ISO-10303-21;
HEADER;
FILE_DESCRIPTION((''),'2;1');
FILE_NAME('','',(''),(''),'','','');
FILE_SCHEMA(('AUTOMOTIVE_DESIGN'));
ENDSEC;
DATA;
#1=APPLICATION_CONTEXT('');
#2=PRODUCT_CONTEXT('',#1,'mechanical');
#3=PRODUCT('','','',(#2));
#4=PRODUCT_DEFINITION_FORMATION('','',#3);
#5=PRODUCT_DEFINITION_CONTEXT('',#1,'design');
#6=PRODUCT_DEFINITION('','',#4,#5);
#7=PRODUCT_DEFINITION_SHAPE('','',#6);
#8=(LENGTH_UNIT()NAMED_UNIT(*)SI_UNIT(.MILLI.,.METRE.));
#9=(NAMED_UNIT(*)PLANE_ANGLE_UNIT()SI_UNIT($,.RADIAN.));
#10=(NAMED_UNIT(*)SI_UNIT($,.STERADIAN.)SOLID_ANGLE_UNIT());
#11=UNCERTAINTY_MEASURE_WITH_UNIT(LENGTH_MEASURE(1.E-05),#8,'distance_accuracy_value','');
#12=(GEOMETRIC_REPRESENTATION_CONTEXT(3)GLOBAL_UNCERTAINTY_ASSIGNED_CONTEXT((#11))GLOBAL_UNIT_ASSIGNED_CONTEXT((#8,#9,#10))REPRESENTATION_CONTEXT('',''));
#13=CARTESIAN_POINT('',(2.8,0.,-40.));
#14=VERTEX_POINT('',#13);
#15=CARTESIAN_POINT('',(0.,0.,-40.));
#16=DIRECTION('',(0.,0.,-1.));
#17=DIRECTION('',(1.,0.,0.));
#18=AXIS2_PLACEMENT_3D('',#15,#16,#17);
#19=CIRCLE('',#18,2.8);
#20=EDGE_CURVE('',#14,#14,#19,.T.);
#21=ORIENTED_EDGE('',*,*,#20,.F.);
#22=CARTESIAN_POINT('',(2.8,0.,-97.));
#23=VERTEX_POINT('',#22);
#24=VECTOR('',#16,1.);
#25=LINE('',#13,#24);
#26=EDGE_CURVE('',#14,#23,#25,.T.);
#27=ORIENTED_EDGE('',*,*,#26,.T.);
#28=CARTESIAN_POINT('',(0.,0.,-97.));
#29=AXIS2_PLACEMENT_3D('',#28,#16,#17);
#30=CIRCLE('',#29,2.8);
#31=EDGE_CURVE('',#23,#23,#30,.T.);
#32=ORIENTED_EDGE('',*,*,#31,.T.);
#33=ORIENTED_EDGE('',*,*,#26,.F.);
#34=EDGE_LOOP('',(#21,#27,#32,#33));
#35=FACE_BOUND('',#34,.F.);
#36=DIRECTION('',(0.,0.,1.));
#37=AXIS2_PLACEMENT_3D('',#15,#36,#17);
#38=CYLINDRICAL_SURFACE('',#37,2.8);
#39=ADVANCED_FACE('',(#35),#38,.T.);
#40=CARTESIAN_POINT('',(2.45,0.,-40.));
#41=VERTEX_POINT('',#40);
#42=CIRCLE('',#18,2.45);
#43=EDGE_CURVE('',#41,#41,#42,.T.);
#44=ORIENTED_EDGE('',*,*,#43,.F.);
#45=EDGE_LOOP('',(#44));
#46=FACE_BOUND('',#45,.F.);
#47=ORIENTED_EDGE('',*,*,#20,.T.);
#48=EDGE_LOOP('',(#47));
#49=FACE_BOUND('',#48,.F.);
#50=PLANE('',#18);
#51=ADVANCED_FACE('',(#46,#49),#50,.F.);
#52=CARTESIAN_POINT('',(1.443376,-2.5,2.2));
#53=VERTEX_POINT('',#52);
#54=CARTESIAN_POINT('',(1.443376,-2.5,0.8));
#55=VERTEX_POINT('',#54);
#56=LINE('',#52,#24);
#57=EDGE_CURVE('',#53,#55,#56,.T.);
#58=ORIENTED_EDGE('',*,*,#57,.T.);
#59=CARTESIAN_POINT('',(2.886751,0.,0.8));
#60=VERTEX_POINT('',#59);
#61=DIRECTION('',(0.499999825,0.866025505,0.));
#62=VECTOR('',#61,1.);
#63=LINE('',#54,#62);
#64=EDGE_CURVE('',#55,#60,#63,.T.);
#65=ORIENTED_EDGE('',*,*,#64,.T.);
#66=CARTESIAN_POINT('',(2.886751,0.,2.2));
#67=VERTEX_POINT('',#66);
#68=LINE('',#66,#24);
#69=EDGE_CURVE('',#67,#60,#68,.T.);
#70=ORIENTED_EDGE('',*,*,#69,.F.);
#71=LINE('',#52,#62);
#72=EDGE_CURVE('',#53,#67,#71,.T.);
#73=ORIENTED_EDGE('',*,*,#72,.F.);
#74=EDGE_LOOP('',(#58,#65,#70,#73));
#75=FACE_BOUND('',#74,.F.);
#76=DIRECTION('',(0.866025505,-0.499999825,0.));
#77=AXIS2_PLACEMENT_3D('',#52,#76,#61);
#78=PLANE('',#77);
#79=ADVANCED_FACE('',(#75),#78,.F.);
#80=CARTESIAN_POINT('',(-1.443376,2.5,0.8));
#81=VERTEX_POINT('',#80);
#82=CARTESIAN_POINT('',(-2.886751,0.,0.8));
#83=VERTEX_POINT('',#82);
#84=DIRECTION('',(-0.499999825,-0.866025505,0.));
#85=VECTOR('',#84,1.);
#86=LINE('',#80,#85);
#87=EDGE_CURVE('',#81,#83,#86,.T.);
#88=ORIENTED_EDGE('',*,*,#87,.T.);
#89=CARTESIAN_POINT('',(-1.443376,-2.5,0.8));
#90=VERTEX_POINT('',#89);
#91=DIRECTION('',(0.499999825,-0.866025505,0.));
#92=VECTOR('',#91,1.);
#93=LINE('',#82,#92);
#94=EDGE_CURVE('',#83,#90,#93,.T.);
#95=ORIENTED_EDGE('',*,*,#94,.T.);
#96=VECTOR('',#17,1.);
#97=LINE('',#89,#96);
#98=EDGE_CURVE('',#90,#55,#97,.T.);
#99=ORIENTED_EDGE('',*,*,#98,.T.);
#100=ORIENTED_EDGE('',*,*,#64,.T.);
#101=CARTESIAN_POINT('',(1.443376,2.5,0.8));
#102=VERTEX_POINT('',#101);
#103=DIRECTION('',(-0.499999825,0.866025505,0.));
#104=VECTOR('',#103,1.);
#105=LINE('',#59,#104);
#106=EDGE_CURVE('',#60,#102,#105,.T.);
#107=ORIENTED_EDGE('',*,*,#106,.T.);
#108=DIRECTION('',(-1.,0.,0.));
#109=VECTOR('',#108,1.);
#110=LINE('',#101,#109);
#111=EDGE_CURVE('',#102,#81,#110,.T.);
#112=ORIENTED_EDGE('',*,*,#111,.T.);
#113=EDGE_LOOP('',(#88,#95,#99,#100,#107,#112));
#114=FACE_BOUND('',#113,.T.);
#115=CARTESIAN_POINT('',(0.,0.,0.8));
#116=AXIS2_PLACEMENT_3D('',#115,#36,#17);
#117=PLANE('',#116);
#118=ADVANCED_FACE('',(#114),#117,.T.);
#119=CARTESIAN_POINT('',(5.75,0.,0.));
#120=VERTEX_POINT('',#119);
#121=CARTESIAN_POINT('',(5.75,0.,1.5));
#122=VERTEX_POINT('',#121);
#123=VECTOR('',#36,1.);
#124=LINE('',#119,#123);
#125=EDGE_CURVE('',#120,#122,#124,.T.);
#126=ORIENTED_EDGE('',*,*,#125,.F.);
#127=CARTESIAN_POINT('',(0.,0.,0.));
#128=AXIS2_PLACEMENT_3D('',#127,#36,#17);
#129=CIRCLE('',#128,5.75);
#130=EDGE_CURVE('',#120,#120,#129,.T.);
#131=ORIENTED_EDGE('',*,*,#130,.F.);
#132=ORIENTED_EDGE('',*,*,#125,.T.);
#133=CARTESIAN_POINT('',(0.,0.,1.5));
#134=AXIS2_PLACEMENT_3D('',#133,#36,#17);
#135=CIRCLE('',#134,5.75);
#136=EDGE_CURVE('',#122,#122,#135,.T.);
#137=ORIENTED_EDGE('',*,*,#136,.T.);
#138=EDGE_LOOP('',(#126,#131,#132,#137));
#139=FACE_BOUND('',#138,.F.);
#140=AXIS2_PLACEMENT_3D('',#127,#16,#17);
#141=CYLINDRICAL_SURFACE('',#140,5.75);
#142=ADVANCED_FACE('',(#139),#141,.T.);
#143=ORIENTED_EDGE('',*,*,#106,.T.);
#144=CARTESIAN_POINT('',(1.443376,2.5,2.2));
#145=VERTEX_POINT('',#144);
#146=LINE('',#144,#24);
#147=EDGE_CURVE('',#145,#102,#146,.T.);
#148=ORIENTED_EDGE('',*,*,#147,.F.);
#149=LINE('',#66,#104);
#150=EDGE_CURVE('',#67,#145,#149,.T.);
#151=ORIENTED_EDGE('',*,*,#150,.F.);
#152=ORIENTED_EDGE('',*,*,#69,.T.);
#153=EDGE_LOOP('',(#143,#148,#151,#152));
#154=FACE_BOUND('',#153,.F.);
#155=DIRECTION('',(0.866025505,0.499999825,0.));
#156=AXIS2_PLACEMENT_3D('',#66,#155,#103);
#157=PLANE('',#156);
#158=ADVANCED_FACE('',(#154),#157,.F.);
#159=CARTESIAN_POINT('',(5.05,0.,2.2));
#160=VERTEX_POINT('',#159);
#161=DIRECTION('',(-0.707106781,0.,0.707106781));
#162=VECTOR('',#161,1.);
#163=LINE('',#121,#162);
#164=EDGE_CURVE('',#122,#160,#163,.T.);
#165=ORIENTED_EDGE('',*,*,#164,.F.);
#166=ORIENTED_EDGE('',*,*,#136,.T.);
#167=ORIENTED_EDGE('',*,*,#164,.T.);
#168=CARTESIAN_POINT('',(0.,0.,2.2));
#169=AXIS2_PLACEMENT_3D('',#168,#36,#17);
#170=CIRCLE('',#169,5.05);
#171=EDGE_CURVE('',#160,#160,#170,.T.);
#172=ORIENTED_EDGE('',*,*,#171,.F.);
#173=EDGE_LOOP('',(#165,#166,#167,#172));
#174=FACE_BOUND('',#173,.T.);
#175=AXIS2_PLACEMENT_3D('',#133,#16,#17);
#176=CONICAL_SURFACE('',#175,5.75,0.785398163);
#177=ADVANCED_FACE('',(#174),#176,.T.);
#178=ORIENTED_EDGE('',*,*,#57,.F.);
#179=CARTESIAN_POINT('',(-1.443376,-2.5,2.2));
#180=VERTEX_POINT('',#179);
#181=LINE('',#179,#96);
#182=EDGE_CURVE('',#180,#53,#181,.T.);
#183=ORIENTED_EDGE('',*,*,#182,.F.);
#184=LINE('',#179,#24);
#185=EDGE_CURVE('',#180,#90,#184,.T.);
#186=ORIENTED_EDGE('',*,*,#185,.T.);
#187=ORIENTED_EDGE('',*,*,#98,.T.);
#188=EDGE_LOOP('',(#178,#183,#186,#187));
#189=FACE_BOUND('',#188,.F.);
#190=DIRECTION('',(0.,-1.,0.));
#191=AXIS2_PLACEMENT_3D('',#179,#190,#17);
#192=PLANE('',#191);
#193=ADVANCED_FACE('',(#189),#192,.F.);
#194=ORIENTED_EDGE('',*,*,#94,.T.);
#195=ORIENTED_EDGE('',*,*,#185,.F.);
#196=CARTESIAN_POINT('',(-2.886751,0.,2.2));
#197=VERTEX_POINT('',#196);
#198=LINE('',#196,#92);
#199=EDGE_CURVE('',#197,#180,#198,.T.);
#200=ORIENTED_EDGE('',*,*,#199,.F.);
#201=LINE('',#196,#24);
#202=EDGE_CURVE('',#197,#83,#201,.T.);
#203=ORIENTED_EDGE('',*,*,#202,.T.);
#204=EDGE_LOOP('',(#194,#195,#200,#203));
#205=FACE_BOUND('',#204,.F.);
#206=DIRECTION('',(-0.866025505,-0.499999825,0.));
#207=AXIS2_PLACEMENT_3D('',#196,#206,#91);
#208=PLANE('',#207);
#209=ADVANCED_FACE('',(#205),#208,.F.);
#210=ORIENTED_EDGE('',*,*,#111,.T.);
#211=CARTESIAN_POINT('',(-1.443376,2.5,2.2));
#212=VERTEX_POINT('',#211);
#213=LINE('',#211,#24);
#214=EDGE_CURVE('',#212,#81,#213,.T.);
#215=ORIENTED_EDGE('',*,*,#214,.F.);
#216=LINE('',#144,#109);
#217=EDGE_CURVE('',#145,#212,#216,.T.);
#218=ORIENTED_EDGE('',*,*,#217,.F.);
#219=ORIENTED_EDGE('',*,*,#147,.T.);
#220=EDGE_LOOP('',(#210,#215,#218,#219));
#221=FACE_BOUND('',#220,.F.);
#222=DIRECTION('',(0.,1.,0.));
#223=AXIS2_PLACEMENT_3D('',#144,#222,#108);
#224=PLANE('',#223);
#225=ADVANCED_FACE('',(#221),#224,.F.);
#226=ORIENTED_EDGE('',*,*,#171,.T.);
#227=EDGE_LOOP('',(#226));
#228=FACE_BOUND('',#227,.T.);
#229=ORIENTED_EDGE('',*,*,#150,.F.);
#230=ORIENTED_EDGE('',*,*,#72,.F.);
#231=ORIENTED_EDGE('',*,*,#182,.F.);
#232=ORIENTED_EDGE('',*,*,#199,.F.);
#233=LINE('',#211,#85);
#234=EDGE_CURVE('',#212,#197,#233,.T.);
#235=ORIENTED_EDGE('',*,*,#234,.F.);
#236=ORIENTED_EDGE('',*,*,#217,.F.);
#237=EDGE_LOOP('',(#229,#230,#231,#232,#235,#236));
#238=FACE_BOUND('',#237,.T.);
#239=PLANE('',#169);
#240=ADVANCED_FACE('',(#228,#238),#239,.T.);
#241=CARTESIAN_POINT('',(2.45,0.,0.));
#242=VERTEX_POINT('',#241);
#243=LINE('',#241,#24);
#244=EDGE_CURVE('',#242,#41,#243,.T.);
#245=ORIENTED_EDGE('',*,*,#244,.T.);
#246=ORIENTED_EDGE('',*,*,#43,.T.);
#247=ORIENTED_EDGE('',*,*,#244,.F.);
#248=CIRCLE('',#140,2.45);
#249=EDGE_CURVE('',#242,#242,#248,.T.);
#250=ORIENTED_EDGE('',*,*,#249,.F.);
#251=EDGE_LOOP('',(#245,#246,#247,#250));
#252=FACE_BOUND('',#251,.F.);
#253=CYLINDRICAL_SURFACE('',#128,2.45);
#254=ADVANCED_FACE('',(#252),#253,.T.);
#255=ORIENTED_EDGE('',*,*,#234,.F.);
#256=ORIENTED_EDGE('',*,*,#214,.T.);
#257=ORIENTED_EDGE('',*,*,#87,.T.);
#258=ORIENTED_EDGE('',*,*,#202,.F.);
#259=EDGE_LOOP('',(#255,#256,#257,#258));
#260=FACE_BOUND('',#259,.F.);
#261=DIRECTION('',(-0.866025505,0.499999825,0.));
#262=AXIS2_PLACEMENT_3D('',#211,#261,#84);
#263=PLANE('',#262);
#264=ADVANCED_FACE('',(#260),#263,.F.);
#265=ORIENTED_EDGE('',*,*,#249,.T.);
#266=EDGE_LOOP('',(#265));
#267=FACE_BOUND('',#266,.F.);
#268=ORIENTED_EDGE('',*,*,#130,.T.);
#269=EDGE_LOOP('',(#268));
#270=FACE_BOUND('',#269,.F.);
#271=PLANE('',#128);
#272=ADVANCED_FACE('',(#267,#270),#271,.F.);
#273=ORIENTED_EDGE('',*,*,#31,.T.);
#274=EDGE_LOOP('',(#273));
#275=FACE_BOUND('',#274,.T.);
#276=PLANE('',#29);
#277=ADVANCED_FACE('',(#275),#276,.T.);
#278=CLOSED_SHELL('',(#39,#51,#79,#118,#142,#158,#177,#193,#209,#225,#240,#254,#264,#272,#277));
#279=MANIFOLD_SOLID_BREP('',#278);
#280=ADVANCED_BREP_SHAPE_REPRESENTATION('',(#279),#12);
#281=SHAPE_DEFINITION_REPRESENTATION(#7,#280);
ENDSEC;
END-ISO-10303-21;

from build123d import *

# Parameters (mm, degrees)
SKETCH009_R     = 5.75
PAD005_DEPTH    = 2.2
POCKET_DEPTH    = 1.4
CHAMFER001_SIZE = 0.7
SKETCH011_R     = 2.45
PAD006_DEPTH    = 40
SKETCH012_R     = 2.8
PAD007_DEPTH    = 57


with BuildPart() as part:
    # Sketch009 → Pad005 (new body)
    with BuildSketch(Plane.XY):
        Circle(SKETCH009_R)
    extrude(amount=PAD005_DEPTH)

    # Sketch010 (on Face3 of Pad005) → Pocket (cut)
    with BuildSketch(Plane.XY.offset(2.2)):
        Polygon((2.886751, 0), (1.443376, 2.5), (-1.443376, 2.5), (-2.886751, 0), (-1.443376, -2.5), (1.443376, -2.5), align=None)
    extrude(amount=-POCKET_DEPTH, mode=Mode.SUBTRACT)

    # Chamfer001
    chamfer001_edges = [part.edges().sort_by_distance(p)[0] for p in [
        (-5.75, 0, 2.2),
    ]]
    chamfer(chamfer001_edges, length=CHAMFER001_SIZE)

    # Sketch011 (on Face3 of Chamfer001) → Pad006 (join)
    with BuildSketch(Plane(origin=(0, 0, 0), x_dir=(1, 0, 0), z_dir=(0, 0, -1))):
        Circle(SKETCH011_R)
    extrude(amount=PAD006_DEPTH)

    # Sketch012 (on Face12 of Pad006) → Pad007 (join)
    with BuildSketch(Plane(origin=(0, 0, -40), x_dir=(1, 0, 0), z_dir=(0, 0, -1))):
        Circle(SKETCH012_R)
    extrude(amount=PAD007_DEPTH)


solid = part.part
